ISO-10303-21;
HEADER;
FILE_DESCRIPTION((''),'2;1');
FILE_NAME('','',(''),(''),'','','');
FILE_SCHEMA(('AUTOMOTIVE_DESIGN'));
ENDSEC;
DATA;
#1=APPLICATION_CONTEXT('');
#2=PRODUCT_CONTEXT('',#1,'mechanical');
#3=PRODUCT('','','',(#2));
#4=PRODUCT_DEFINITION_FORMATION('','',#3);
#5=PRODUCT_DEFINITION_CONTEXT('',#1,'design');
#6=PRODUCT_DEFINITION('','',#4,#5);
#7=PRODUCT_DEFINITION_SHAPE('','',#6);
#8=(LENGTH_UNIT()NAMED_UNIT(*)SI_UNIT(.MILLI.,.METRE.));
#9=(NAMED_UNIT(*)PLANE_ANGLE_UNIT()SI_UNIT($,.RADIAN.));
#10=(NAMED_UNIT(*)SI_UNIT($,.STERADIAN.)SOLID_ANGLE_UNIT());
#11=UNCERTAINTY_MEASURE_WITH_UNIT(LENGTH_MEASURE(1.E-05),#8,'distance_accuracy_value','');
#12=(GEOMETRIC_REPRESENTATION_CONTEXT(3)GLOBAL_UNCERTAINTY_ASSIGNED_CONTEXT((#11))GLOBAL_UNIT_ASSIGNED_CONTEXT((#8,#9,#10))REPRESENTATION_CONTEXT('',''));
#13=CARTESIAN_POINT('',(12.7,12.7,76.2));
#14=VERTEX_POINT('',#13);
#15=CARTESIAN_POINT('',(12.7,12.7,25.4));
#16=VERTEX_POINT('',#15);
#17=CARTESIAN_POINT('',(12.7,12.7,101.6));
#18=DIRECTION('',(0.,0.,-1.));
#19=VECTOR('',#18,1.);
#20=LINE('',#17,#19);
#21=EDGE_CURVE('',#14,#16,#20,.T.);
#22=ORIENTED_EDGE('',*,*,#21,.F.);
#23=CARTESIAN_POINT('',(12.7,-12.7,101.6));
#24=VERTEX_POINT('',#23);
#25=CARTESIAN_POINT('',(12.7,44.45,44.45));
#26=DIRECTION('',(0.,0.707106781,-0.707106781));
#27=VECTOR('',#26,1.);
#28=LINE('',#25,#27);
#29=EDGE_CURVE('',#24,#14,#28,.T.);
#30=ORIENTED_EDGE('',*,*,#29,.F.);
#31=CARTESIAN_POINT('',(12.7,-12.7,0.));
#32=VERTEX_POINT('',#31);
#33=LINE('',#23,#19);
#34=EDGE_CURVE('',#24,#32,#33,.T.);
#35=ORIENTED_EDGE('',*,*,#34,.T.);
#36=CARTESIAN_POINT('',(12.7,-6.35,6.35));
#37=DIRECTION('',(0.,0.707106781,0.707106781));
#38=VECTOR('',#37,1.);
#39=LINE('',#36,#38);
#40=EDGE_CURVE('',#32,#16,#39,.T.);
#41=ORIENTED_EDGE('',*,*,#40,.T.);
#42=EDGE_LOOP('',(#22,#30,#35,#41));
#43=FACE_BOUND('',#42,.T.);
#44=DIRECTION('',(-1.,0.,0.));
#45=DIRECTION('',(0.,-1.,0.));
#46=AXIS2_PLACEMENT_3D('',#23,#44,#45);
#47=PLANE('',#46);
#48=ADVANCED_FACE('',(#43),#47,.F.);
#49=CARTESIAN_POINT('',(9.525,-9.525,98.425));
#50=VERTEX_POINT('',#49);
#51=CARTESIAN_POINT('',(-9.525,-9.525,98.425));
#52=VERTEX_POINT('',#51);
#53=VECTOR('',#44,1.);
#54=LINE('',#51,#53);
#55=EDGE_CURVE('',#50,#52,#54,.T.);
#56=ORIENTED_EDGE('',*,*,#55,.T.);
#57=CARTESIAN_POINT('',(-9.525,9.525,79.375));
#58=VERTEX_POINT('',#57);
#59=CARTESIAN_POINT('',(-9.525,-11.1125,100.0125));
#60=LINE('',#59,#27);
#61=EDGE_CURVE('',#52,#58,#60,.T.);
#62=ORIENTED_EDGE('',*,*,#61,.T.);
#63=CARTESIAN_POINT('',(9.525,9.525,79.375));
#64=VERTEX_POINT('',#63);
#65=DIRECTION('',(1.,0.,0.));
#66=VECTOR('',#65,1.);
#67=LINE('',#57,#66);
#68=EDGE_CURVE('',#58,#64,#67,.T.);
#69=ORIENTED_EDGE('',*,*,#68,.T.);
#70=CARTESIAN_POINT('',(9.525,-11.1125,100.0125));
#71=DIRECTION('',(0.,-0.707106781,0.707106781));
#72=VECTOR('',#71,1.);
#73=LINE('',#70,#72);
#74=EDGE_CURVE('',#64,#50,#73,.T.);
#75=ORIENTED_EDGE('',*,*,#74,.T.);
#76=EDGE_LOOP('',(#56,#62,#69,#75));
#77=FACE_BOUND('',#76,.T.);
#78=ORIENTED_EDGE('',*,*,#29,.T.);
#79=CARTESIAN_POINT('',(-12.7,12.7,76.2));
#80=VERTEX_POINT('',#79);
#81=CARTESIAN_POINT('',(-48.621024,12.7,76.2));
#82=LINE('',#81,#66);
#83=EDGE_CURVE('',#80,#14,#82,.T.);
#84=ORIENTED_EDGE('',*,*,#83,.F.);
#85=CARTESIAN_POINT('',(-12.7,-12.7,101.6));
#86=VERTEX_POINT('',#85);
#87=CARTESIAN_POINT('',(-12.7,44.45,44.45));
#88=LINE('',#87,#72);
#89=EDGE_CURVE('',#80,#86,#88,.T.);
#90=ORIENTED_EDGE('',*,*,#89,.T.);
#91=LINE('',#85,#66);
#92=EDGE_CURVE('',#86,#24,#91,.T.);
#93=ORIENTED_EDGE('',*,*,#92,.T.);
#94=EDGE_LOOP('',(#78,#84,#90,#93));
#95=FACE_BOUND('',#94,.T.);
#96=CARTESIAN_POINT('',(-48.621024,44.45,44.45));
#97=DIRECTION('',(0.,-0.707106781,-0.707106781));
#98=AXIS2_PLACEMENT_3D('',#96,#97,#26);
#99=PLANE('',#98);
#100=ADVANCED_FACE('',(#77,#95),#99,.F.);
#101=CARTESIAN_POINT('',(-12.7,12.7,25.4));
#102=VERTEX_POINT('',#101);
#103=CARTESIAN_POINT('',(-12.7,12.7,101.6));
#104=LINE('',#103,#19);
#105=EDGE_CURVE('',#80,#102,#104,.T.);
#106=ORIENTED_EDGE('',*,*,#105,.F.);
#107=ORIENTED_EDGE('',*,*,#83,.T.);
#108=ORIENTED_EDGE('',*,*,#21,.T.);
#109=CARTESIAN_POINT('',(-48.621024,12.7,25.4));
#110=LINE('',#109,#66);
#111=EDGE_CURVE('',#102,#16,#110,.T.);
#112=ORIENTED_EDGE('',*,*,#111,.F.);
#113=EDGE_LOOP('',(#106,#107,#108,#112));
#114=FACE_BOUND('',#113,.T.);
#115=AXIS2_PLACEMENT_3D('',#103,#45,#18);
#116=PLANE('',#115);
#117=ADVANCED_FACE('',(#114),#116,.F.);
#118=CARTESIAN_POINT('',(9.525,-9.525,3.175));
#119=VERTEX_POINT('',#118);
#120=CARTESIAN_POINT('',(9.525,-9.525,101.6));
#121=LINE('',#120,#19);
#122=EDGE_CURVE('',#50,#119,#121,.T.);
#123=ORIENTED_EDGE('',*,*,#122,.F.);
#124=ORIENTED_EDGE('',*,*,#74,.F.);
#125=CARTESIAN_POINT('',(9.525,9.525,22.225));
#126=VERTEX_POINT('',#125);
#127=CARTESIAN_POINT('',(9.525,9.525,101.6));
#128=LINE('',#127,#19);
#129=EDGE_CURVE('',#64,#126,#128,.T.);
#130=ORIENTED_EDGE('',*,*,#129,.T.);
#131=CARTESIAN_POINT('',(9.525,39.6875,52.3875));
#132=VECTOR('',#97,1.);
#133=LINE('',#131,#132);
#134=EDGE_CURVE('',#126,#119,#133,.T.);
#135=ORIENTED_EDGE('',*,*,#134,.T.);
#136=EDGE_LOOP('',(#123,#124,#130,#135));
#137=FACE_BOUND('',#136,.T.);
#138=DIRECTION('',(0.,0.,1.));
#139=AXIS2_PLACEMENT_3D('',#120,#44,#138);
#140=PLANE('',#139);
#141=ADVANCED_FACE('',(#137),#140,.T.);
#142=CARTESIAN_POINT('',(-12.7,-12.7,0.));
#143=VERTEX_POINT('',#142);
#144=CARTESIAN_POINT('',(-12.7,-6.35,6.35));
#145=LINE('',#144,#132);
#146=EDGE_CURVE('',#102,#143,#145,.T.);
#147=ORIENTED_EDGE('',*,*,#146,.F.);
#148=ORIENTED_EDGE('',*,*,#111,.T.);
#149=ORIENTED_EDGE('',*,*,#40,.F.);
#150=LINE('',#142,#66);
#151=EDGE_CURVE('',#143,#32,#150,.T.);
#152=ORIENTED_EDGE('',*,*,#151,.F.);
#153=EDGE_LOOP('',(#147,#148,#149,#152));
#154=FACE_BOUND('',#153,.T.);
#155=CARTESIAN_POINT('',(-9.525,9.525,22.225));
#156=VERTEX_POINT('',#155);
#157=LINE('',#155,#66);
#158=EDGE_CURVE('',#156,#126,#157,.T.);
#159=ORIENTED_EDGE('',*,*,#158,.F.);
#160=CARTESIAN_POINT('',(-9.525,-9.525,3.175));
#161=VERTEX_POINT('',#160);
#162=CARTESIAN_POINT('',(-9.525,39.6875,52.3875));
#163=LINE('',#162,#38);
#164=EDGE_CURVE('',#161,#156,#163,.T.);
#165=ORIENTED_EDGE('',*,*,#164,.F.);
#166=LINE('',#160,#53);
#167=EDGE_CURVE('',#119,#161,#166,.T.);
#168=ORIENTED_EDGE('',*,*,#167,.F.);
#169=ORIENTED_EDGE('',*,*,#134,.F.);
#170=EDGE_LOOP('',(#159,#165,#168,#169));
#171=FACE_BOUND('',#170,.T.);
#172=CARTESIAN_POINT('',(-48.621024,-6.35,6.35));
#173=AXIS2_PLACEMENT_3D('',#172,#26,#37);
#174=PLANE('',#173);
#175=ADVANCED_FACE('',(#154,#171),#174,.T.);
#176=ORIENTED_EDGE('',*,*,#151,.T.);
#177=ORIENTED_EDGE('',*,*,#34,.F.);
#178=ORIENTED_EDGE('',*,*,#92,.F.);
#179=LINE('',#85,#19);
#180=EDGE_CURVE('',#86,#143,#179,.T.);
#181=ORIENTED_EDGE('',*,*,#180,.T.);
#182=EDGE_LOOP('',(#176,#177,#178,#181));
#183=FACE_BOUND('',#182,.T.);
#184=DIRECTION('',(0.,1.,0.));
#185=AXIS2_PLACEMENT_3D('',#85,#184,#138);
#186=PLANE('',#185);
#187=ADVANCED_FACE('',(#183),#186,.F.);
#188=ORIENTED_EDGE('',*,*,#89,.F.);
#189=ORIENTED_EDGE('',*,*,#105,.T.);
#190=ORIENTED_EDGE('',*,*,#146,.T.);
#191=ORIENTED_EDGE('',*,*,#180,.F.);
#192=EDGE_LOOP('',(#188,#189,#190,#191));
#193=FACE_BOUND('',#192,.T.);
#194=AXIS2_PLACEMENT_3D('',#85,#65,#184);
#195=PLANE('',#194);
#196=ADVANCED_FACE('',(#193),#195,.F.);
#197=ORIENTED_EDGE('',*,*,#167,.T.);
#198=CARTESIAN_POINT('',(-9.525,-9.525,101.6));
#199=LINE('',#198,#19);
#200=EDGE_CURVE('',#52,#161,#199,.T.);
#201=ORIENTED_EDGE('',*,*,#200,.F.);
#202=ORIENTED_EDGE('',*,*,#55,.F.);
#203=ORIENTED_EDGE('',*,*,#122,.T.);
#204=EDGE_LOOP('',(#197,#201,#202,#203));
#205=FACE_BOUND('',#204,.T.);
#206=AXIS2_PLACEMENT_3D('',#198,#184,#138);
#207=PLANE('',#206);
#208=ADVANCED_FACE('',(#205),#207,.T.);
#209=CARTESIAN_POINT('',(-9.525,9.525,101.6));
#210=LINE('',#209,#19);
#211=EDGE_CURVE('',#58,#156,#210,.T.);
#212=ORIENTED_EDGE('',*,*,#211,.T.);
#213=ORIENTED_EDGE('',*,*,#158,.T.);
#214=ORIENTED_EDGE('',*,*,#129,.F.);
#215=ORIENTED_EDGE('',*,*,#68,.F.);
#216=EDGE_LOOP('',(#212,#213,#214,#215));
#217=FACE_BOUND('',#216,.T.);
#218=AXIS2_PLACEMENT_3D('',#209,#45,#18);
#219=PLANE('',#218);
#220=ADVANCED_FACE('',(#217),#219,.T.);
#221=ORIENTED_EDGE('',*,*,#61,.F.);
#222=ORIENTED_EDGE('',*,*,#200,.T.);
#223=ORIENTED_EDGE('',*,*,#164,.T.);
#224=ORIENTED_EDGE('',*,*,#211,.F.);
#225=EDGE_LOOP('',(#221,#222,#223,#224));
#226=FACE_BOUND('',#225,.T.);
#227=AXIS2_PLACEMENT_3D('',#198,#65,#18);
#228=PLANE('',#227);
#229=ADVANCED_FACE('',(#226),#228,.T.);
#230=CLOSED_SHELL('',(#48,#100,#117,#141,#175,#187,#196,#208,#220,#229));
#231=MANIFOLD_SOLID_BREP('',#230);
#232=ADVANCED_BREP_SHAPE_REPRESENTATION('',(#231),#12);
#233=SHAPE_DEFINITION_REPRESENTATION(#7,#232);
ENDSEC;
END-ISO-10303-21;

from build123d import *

# Parameters (mm, degrees)
SKETCH1_W           = 25.4
SKETCH1_H           = 25.4
SKETCH1_W_2         = 19.05
SKETCH1_H_2         = 19.05
BOSS_EXTRUDE1_DEPTH = 101.6
CUT_EXTRUDE1_REACH  = 107.494


with BuildPart() as part:
    # Sketch1 → Boss-Extrude1 (new body)
    with BuildSketch(Plane.XY):
        Rectangle(SKETCH1_W, SKETCH1_H)
        Rectangle(SKETCH1_W_2, SKETCH1_H_2, mode=Mode.SUBTRACT)
    extrude(amount=BOSS_EXTRUDE1_DEPTH)

    # Cut-Extrude1: up to this face of the body (flat: up to its plane)
    cut_extrude1_end = Plane(part.part.faces().sort_by_distance((-12.7, 0, 50.8))[0])
    # Sketch2 → Cut-Extrude1 (cut, up to the picked face)
    with BuildSketch(Plane(origin=(12.7, 0, 0), x_dir=(0, 0, -1), z_dir=(1, 0, 0)), mode=Mode.PRIVATE) as cut_extrude1_sk1:
        Polygon((-101.6, 12.7), (-101.6, -12.7), (-76.2, 12.7), align=None)
    cut_extrude1_tool1 = split(extrude(cut_extrude1_sk1.sketch, amount=-CUT_EXTRUDE1_REACH, mode=Mode.PRIVATE), bisect_by=cut_extrude1_end, keep=Keep.BOTH, mode=Mode.PRIVATE)
    # Sketch2 → Cut-Extrude1 (cut, up to the picked face)
    with BuildSketch(Plane(origin=(12.7, 0, 0), x_dir=(0, 0, -1), z_dir=(1, 0, 0)), mode=Mode.PRIVATE) as cut_extrude1_sk2:
        Polygon((-25.4, 12.7), (0, -12.7), (0, 12.7), align=None)
    cut_extrude1_tool2 = split(extrude(cut_extrude1_sk2.sketch, amount=-CUT_EXTRUDE1_REACH, mode=Mode.PRIVATE), bisect_by=cut_extrude1_end, keep=Keep.BOTH, mode=Mode.PRIVATE)
    add(cut_extrude1_tool1.solids().sort_by(Axis((12.7, 4.233333, 93.133333), (-1, 0, 0)))[0], mode=Mode.SUBTRACT)
    add(cut_extrude1_tool2.solids().sort_by(Axis((12.7, 4.233333, 8.466667), (-1, 0, 0)))[0], mode=Mode.SUBTRACT)


solid = part.part
